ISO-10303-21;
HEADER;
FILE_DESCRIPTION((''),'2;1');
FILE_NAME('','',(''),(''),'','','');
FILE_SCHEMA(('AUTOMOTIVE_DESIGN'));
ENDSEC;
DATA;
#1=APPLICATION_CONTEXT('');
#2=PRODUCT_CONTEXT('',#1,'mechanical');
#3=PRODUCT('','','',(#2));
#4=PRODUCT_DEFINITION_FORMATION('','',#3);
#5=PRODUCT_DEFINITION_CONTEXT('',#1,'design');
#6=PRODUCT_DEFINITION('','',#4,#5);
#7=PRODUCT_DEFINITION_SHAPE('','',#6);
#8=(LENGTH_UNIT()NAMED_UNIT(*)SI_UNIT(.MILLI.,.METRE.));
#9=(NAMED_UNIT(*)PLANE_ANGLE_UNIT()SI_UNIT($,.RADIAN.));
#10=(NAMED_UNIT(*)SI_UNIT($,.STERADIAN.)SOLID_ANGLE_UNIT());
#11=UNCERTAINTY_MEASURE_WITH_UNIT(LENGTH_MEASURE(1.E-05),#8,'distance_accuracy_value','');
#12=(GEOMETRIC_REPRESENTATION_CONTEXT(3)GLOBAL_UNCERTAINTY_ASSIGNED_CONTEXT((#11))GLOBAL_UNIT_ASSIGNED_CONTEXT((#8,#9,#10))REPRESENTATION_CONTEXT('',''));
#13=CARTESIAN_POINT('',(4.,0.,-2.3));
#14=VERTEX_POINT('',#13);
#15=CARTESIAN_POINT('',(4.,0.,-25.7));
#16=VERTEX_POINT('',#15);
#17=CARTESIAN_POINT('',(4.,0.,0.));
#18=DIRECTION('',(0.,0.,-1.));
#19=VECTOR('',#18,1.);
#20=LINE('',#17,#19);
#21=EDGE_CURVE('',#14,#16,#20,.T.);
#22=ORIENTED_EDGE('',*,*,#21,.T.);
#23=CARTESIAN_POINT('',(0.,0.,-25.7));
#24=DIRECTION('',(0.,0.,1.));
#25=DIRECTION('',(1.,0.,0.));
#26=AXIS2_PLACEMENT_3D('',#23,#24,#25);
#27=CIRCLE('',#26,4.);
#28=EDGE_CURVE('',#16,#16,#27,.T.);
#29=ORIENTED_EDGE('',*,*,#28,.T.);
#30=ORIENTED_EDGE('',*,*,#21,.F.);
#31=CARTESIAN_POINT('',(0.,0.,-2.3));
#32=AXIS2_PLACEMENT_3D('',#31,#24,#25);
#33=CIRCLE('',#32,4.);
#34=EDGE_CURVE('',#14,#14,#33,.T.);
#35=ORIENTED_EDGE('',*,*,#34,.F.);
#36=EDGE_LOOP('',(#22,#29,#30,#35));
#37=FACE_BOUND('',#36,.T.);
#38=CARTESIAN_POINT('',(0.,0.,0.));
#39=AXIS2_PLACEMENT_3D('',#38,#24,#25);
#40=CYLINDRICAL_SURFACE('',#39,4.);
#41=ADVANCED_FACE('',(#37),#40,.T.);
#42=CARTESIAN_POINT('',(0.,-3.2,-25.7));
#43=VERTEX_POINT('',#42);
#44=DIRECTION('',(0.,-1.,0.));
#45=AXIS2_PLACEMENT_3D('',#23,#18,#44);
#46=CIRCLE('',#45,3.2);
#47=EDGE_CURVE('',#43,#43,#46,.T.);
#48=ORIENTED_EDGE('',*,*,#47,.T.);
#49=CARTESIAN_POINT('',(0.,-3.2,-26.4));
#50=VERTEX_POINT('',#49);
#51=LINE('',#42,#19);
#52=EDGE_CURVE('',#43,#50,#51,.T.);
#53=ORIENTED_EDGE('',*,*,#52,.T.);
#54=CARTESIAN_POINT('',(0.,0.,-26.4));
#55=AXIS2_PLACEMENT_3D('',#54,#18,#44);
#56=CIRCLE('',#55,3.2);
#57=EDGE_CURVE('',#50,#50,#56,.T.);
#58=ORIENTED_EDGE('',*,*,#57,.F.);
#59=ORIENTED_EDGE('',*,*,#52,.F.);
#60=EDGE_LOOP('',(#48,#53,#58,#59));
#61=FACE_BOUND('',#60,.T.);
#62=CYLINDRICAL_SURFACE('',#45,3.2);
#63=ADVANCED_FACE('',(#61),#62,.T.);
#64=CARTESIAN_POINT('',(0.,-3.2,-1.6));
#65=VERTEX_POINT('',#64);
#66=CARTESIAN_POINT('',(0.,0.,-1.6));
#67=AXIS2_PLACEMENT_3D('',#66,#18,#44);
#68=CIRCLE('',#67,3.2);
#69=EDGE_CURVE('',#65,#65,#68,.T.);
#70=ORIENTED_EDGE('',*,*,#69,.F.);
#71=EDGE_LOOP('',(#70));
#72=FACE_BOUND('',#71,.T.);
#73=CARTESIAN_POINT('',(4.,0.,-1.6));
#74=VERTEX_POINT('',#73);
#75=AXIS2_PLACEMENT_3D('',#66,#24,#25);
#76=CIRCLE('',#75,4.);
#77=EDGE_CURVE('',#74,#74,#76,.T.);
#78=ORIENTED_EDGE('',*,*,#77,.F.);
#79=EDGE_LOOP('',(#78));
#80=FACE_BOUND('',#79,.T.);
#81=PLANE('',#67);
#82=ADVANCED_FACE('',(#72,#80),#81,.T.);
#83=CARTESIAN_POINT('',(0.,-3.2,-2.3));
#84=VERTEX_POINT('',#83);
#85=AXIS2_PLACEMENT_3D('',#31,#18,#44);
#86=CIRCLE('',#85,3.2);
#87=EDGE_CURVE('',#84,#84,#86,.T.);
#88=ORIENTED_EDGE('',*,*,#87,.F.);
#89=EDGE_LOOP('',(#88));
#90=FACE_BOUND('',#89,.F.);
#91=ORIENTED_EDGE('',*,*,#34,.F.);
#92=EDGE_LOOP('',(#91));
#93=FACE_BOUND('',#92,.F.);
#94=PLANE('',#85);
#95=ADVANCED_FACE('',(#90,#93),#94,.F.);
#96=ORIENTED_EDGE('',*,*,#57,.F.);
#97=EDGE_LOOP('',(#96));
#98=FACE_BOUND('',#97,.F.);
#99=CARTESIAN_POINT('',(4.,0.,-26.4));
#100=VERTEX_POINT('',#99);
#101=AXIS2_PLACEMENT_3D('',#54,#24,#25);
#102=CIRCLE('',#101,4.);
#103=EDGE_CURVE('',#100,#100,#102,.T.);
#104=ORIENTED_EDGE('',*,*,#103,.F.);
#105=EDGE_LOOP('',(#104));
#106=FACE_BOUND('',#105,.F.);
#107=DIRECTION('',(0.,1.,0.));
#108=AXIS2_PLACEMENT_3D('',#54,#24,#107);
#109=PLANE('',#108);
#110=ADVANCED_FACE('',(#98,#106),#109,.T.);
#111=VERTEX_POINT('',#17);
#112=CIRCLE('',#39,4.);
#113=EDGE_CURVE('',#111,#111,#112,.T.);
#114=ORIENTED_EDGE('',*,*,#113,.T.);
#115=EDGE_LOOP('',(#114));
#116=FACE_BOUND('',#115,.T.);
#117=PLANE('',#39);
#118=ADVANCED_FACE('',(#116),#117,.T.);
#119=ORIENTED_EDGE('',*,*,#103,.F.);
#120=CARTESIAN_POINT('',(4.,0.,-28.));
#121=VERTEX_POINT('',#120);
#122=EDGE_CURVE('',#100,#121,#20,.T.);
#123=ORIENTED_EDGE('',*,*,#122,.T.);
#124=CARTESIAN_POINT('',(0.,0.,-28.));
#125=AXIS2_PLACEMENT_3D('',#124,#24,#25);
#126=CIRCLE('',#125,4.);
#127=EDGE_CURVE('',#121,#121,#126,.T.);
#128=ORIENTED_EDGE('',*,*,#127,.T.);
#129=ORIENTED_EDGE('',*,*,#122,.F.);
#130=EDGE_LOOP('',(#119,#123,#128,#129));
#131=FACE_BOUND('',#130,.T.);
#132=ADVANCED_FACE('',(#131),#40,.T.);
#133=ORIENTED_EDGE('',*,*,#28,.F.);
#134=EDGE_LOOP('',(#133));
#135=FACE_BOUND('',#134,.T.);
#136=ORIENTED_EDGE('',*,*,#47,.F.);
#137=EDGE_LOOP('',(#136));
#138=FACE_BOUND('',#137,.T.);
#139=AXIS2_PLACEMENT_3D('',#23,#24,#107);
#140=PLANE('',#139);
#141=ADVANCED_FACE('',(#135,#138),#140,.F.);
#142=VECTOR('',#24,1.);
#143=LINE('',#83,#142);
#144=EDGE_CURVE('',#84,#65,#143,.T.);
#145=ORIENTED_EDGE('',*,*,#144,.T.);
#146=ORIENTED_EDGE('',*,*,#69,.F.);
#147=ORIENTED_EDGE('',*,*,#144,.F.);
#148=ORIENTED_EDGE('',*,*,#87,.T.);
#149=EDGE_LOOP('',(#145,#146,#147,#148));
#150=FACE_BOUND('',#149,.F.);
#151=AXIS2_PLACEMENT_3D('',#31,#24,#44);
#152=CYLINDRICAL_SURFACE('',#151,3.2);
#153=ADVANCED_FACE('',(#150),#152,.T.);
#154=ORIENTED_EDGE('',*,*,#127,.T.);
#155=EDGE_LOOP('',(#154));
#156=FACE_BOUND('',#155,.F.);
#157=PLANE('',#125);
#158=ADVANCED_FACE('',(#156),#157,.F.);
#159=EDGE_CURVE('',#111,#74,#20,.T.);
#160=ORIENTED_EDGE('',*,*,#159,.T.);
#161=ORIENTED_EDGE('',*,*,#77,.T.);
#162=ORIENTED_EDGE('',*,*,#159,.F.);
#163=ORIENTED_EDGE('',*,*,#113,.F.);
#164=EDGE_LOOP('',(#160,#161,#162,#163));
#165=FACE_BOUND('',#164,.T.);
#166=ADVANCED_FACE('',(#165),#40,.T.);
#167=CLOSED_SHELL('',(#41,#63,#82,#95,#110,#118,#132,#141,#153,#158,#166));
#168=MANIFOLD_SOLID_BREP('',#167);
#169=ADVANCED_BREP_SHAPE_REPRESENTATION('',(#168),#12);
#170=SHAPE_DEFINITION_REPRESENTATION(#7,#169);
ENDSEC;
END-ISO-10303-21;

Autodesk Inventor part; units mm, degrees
ref_plane "YZ Plane" through (0, 0, 0) normal (1, 0, 0) x (0, 1, 0)
ref_plane "XZ Plane" through (0, 0, 0) normal (0, 1, 0) x (-1, 0, 0)
sketch "Boceto1" plane through (0, 0, 0) normal (0, 0, 1) x (1, 0, 0)
  circle A0 centre (0, 0) radius 4
  dimension "d0" = 8
extrude "Extrusión1" add sketch "Boceto1" against normal blind 28
ref_plane "Plano de trabajo1" through (0, 0, -14) normal (0, 0, 1) x (1, 0, 0)
sketch "Boceto2" plane through (0, 0, 0) normal (1, 0, 0) x (0, 1, 0)
  line L0 (0, 0) -> (0, -1.6) construction
  line L1 (0, -1.6) -> (-4, -1.6) construction
  line L2 (-4, 0) -> (-4, -28) projected
  line L3 (-4, -1.6) -> (-4, -2.3)
  line L4 (-4, -2.3) -> (-3.2, -2.3)
  line L5 (-3.2, -2.3) -> (-3.2, -1.6)
  line L6 (-4, -1.6) -> (-3.2, -1.6)
  dimension "d3" = 1.6
  dimension "d4" = 0.7
  dimension "d5" = 0.8
revolve "Revolución1" cut sketch "Boceto2" angle 360 about axis through (0, 0, 0) along (0, 0, -1)
mirror "Simetría1" about plane through (0, 0, -14) normal (0, 0, 1) of "Revolución1"
properties part number "12_Pasador"
